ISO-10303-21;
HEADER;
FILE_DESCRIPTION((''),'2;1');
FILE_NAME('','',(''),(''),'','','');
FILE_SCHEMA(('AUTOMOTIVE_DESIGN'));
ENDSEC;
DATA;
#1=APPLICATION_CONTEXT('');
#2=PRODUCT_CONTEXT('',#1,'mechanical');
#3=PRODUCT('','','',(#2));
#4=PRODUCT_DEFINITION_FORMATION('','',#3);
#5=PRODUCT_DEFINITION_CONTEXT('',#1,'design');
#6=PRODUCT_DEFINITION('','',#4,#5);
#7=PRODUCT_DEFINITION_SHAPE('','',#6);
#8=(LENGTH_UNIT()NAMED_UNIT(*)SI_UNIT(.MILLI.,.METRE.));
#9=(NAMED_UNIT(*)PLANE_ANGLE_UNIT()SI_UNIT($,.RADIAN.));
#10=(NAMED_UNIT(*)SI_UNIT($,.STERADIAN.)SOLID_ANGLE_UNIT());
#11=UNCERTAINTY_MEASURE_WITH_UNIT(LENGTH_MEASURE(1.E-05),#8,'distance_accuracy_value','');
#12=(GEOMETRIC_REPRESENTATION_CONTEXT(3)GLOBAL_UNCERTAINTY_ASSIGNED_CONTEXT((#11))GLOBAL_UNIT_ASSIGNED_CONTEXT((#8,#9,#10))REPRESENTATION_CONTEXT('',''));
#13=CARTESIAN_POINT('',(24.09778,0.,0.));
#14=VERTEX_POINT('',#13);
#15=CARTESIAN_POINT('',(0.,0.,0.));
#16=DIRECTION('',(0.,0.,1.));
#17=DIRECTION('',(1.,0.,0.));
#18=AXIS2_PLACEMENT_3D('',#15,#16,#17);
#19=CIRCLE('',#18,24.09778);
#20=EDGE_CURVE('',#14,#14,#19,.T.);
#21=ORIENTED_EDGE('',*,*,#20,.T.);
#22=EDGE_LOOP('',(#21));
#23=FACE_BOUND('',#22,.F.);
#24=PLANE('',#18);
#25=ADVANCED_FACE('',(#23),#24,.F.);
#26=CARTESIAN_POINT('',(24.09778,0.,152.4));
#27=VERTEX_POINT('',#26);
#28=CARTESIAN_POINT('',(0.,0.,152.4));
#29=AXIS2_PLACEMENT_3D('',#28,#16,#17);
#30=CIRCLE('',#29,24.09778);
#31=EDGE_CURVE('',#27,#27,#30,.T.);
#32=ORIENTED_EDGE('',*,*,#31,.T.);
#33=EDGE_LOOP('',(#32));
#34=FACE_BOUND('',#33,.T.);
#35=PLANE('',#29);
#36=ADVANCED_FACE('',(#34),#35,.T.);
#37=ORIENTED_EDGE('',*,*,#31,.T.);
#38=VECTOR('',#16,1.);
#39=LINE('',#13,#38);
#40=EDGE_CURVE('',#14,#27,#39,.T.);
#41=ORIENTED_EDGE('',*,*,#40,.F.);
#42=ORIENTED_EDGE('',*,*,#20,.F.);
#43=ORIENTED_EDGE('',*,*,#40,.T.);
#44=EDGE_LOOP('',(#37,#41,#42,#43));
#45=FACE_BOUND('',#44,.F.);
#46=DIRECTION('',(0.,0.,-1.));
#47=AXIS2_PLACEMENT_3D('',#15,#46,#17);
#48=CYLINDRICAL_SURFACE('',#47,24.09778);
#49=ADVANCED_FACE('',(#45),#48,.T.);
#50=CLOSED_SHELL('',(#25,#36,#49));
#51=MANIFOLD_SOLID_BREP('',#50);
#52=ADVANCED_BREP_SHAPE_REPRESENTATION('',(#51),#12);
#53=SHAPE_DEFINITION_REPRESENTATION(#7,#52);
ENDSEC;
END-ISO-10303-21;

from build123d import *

# Parameters (mm, degrees)
F0_R      = 24.0977800955
F1_DEPTH  = 152.4
F1_FACE_R = 24.0977800955


with BuildPart() as f1:
    # F0 (on Top) → F1 (new body)
    with BuildSketch(Plane.XY):
        Circle(F0_R)
    extrude(amount=F1_DEPTH)

    # F1_face (on face) → F2 section 0
    with BuildSketch(Plane.XY.offset(152.4), mode=Mode.PRIVATE) as f2_s0:
        Circle(F1_FACE_R)
    loft([Vertex(0, 0, 0), f2_s0.sketch])


solid = f1.part
